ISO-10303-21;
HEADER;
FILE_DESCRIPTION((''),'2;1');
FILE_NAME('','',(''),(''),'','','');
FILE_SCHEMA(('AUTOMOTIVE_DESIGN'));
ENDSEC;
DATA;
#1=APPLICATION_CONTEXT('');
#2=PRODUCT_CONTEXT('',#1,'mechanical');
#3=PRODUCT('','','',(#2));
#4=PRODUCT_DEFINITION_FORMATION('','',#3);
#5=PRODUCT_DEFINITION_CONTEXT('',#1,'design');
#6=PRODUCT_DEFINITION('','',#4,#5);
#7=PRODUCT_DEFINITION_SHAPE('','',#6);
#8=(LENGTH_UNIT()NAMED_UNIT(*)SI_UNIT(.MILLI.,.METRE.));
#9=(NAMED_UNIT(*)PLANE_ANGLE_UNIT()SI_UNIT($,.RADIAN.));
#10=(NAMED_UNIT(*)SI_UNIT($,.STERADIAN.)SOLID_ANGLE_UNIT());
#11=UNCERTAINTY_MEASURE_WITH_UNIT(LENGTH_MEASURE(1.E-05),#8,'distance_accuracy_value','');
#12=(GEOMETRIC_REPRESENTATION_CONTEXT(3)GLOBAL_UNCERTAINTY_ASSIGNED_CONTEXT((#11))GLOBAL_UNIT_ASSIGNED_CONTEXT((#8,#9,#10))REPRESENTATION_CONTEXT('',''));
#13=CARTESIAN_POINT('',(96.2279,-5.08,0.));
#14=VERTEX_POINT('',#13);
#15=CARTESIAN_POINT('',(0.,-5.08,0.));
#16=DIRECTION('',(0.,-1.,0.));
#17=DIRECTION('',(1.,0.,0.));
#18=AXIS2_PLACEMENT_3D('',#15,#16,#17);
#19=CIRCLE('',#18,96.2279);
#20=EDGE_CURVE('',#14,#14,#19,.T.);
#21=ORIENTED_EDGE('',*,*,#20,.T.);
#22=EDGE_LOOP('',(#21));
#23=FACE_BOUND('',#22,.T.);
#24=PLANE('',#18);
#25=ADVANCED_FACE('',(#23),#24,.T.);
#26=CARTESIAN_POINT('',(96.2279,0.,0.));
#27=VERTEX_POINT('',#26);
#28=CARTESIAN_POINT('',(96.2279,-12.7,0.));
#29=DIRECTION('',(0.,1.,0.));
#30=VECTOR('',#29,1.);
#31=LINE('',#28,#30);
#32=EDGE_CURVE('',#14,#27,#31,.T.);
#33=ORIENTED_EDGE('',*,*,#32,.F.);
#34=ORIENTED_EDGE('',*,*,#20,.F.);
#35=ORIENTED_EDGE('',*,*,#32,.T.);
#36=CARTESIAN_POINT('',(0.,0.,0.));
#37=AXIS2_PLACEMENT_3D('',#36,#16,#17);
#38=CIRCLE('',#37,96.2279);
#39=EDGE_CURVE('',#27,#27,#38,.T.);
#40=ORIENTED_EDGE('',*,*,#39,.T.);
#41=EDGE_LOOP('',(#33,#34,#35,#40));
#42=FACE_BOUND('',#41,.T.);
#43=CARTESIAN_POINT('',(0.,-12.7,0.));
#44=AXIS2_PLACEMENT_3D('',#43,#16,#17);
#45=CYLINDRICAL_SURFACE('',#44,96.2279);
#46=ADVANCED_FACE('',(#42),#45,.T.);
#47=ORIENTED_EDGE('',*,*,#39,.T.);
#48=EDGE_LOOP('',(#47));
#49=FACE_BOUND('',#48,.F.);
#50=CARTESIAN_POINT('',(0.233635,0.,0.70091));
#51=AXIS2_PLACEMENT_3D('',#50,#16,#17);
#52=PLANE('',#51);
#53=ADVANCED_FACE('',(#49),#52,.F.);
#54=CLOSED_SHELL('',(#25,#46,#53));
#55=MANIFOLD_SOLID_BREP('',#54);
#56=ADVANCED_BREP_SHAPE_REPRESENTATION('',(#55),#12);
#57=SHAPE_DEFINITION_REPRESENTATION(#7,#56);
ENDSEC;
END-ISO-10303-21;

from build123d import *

# Parameters (mm, degrees)
F0_W     = 368.677914
F0_H     = 204.665296
F1_DEPTH = 12.7
F2_W     = 368.677914
F2_H     = 204.665296
F2_R     = 96.2279
F3_DEPTH = 12.7
F4_DEPTH = 7.62


with BuildPart() as f1:
    # F0 (on Front) → F1 (new body)
    with BuildSketch(Plane.XZ):
        with Locations((0.233635, 0.70091)):
            Rectangle(F0_W, F0_H)
    extrude(amount=F1_DEPTH)

    # F2 (on face) → F3 (cut)
    with BuildSketch(Plane.XZ.offset(12.7)):
        with Locations((0.233635, 0.70091)):
            Rectangle(F2_W, F2_H)
        Circle(F2_R, mode=Mode.SUBTRACT)
    extrude(amount=-F3_DEPTH, mode=Mode.SUBTRACT)

    # F2 (on face) + F0 (on Front) → F4 (cut)
    with BuildSketch(Plane.XZ.offset(12.7)):
        Circle(F2_R)
    with BuildSketch(Plane.XZ):
        with Locations((0.233635, 0.70091)):
            Rectangle(F0_W, F0_H)
    extrude(amount=-F4_DEPTH, mode=Mode.SUBTRACT)


solid = f1.part
